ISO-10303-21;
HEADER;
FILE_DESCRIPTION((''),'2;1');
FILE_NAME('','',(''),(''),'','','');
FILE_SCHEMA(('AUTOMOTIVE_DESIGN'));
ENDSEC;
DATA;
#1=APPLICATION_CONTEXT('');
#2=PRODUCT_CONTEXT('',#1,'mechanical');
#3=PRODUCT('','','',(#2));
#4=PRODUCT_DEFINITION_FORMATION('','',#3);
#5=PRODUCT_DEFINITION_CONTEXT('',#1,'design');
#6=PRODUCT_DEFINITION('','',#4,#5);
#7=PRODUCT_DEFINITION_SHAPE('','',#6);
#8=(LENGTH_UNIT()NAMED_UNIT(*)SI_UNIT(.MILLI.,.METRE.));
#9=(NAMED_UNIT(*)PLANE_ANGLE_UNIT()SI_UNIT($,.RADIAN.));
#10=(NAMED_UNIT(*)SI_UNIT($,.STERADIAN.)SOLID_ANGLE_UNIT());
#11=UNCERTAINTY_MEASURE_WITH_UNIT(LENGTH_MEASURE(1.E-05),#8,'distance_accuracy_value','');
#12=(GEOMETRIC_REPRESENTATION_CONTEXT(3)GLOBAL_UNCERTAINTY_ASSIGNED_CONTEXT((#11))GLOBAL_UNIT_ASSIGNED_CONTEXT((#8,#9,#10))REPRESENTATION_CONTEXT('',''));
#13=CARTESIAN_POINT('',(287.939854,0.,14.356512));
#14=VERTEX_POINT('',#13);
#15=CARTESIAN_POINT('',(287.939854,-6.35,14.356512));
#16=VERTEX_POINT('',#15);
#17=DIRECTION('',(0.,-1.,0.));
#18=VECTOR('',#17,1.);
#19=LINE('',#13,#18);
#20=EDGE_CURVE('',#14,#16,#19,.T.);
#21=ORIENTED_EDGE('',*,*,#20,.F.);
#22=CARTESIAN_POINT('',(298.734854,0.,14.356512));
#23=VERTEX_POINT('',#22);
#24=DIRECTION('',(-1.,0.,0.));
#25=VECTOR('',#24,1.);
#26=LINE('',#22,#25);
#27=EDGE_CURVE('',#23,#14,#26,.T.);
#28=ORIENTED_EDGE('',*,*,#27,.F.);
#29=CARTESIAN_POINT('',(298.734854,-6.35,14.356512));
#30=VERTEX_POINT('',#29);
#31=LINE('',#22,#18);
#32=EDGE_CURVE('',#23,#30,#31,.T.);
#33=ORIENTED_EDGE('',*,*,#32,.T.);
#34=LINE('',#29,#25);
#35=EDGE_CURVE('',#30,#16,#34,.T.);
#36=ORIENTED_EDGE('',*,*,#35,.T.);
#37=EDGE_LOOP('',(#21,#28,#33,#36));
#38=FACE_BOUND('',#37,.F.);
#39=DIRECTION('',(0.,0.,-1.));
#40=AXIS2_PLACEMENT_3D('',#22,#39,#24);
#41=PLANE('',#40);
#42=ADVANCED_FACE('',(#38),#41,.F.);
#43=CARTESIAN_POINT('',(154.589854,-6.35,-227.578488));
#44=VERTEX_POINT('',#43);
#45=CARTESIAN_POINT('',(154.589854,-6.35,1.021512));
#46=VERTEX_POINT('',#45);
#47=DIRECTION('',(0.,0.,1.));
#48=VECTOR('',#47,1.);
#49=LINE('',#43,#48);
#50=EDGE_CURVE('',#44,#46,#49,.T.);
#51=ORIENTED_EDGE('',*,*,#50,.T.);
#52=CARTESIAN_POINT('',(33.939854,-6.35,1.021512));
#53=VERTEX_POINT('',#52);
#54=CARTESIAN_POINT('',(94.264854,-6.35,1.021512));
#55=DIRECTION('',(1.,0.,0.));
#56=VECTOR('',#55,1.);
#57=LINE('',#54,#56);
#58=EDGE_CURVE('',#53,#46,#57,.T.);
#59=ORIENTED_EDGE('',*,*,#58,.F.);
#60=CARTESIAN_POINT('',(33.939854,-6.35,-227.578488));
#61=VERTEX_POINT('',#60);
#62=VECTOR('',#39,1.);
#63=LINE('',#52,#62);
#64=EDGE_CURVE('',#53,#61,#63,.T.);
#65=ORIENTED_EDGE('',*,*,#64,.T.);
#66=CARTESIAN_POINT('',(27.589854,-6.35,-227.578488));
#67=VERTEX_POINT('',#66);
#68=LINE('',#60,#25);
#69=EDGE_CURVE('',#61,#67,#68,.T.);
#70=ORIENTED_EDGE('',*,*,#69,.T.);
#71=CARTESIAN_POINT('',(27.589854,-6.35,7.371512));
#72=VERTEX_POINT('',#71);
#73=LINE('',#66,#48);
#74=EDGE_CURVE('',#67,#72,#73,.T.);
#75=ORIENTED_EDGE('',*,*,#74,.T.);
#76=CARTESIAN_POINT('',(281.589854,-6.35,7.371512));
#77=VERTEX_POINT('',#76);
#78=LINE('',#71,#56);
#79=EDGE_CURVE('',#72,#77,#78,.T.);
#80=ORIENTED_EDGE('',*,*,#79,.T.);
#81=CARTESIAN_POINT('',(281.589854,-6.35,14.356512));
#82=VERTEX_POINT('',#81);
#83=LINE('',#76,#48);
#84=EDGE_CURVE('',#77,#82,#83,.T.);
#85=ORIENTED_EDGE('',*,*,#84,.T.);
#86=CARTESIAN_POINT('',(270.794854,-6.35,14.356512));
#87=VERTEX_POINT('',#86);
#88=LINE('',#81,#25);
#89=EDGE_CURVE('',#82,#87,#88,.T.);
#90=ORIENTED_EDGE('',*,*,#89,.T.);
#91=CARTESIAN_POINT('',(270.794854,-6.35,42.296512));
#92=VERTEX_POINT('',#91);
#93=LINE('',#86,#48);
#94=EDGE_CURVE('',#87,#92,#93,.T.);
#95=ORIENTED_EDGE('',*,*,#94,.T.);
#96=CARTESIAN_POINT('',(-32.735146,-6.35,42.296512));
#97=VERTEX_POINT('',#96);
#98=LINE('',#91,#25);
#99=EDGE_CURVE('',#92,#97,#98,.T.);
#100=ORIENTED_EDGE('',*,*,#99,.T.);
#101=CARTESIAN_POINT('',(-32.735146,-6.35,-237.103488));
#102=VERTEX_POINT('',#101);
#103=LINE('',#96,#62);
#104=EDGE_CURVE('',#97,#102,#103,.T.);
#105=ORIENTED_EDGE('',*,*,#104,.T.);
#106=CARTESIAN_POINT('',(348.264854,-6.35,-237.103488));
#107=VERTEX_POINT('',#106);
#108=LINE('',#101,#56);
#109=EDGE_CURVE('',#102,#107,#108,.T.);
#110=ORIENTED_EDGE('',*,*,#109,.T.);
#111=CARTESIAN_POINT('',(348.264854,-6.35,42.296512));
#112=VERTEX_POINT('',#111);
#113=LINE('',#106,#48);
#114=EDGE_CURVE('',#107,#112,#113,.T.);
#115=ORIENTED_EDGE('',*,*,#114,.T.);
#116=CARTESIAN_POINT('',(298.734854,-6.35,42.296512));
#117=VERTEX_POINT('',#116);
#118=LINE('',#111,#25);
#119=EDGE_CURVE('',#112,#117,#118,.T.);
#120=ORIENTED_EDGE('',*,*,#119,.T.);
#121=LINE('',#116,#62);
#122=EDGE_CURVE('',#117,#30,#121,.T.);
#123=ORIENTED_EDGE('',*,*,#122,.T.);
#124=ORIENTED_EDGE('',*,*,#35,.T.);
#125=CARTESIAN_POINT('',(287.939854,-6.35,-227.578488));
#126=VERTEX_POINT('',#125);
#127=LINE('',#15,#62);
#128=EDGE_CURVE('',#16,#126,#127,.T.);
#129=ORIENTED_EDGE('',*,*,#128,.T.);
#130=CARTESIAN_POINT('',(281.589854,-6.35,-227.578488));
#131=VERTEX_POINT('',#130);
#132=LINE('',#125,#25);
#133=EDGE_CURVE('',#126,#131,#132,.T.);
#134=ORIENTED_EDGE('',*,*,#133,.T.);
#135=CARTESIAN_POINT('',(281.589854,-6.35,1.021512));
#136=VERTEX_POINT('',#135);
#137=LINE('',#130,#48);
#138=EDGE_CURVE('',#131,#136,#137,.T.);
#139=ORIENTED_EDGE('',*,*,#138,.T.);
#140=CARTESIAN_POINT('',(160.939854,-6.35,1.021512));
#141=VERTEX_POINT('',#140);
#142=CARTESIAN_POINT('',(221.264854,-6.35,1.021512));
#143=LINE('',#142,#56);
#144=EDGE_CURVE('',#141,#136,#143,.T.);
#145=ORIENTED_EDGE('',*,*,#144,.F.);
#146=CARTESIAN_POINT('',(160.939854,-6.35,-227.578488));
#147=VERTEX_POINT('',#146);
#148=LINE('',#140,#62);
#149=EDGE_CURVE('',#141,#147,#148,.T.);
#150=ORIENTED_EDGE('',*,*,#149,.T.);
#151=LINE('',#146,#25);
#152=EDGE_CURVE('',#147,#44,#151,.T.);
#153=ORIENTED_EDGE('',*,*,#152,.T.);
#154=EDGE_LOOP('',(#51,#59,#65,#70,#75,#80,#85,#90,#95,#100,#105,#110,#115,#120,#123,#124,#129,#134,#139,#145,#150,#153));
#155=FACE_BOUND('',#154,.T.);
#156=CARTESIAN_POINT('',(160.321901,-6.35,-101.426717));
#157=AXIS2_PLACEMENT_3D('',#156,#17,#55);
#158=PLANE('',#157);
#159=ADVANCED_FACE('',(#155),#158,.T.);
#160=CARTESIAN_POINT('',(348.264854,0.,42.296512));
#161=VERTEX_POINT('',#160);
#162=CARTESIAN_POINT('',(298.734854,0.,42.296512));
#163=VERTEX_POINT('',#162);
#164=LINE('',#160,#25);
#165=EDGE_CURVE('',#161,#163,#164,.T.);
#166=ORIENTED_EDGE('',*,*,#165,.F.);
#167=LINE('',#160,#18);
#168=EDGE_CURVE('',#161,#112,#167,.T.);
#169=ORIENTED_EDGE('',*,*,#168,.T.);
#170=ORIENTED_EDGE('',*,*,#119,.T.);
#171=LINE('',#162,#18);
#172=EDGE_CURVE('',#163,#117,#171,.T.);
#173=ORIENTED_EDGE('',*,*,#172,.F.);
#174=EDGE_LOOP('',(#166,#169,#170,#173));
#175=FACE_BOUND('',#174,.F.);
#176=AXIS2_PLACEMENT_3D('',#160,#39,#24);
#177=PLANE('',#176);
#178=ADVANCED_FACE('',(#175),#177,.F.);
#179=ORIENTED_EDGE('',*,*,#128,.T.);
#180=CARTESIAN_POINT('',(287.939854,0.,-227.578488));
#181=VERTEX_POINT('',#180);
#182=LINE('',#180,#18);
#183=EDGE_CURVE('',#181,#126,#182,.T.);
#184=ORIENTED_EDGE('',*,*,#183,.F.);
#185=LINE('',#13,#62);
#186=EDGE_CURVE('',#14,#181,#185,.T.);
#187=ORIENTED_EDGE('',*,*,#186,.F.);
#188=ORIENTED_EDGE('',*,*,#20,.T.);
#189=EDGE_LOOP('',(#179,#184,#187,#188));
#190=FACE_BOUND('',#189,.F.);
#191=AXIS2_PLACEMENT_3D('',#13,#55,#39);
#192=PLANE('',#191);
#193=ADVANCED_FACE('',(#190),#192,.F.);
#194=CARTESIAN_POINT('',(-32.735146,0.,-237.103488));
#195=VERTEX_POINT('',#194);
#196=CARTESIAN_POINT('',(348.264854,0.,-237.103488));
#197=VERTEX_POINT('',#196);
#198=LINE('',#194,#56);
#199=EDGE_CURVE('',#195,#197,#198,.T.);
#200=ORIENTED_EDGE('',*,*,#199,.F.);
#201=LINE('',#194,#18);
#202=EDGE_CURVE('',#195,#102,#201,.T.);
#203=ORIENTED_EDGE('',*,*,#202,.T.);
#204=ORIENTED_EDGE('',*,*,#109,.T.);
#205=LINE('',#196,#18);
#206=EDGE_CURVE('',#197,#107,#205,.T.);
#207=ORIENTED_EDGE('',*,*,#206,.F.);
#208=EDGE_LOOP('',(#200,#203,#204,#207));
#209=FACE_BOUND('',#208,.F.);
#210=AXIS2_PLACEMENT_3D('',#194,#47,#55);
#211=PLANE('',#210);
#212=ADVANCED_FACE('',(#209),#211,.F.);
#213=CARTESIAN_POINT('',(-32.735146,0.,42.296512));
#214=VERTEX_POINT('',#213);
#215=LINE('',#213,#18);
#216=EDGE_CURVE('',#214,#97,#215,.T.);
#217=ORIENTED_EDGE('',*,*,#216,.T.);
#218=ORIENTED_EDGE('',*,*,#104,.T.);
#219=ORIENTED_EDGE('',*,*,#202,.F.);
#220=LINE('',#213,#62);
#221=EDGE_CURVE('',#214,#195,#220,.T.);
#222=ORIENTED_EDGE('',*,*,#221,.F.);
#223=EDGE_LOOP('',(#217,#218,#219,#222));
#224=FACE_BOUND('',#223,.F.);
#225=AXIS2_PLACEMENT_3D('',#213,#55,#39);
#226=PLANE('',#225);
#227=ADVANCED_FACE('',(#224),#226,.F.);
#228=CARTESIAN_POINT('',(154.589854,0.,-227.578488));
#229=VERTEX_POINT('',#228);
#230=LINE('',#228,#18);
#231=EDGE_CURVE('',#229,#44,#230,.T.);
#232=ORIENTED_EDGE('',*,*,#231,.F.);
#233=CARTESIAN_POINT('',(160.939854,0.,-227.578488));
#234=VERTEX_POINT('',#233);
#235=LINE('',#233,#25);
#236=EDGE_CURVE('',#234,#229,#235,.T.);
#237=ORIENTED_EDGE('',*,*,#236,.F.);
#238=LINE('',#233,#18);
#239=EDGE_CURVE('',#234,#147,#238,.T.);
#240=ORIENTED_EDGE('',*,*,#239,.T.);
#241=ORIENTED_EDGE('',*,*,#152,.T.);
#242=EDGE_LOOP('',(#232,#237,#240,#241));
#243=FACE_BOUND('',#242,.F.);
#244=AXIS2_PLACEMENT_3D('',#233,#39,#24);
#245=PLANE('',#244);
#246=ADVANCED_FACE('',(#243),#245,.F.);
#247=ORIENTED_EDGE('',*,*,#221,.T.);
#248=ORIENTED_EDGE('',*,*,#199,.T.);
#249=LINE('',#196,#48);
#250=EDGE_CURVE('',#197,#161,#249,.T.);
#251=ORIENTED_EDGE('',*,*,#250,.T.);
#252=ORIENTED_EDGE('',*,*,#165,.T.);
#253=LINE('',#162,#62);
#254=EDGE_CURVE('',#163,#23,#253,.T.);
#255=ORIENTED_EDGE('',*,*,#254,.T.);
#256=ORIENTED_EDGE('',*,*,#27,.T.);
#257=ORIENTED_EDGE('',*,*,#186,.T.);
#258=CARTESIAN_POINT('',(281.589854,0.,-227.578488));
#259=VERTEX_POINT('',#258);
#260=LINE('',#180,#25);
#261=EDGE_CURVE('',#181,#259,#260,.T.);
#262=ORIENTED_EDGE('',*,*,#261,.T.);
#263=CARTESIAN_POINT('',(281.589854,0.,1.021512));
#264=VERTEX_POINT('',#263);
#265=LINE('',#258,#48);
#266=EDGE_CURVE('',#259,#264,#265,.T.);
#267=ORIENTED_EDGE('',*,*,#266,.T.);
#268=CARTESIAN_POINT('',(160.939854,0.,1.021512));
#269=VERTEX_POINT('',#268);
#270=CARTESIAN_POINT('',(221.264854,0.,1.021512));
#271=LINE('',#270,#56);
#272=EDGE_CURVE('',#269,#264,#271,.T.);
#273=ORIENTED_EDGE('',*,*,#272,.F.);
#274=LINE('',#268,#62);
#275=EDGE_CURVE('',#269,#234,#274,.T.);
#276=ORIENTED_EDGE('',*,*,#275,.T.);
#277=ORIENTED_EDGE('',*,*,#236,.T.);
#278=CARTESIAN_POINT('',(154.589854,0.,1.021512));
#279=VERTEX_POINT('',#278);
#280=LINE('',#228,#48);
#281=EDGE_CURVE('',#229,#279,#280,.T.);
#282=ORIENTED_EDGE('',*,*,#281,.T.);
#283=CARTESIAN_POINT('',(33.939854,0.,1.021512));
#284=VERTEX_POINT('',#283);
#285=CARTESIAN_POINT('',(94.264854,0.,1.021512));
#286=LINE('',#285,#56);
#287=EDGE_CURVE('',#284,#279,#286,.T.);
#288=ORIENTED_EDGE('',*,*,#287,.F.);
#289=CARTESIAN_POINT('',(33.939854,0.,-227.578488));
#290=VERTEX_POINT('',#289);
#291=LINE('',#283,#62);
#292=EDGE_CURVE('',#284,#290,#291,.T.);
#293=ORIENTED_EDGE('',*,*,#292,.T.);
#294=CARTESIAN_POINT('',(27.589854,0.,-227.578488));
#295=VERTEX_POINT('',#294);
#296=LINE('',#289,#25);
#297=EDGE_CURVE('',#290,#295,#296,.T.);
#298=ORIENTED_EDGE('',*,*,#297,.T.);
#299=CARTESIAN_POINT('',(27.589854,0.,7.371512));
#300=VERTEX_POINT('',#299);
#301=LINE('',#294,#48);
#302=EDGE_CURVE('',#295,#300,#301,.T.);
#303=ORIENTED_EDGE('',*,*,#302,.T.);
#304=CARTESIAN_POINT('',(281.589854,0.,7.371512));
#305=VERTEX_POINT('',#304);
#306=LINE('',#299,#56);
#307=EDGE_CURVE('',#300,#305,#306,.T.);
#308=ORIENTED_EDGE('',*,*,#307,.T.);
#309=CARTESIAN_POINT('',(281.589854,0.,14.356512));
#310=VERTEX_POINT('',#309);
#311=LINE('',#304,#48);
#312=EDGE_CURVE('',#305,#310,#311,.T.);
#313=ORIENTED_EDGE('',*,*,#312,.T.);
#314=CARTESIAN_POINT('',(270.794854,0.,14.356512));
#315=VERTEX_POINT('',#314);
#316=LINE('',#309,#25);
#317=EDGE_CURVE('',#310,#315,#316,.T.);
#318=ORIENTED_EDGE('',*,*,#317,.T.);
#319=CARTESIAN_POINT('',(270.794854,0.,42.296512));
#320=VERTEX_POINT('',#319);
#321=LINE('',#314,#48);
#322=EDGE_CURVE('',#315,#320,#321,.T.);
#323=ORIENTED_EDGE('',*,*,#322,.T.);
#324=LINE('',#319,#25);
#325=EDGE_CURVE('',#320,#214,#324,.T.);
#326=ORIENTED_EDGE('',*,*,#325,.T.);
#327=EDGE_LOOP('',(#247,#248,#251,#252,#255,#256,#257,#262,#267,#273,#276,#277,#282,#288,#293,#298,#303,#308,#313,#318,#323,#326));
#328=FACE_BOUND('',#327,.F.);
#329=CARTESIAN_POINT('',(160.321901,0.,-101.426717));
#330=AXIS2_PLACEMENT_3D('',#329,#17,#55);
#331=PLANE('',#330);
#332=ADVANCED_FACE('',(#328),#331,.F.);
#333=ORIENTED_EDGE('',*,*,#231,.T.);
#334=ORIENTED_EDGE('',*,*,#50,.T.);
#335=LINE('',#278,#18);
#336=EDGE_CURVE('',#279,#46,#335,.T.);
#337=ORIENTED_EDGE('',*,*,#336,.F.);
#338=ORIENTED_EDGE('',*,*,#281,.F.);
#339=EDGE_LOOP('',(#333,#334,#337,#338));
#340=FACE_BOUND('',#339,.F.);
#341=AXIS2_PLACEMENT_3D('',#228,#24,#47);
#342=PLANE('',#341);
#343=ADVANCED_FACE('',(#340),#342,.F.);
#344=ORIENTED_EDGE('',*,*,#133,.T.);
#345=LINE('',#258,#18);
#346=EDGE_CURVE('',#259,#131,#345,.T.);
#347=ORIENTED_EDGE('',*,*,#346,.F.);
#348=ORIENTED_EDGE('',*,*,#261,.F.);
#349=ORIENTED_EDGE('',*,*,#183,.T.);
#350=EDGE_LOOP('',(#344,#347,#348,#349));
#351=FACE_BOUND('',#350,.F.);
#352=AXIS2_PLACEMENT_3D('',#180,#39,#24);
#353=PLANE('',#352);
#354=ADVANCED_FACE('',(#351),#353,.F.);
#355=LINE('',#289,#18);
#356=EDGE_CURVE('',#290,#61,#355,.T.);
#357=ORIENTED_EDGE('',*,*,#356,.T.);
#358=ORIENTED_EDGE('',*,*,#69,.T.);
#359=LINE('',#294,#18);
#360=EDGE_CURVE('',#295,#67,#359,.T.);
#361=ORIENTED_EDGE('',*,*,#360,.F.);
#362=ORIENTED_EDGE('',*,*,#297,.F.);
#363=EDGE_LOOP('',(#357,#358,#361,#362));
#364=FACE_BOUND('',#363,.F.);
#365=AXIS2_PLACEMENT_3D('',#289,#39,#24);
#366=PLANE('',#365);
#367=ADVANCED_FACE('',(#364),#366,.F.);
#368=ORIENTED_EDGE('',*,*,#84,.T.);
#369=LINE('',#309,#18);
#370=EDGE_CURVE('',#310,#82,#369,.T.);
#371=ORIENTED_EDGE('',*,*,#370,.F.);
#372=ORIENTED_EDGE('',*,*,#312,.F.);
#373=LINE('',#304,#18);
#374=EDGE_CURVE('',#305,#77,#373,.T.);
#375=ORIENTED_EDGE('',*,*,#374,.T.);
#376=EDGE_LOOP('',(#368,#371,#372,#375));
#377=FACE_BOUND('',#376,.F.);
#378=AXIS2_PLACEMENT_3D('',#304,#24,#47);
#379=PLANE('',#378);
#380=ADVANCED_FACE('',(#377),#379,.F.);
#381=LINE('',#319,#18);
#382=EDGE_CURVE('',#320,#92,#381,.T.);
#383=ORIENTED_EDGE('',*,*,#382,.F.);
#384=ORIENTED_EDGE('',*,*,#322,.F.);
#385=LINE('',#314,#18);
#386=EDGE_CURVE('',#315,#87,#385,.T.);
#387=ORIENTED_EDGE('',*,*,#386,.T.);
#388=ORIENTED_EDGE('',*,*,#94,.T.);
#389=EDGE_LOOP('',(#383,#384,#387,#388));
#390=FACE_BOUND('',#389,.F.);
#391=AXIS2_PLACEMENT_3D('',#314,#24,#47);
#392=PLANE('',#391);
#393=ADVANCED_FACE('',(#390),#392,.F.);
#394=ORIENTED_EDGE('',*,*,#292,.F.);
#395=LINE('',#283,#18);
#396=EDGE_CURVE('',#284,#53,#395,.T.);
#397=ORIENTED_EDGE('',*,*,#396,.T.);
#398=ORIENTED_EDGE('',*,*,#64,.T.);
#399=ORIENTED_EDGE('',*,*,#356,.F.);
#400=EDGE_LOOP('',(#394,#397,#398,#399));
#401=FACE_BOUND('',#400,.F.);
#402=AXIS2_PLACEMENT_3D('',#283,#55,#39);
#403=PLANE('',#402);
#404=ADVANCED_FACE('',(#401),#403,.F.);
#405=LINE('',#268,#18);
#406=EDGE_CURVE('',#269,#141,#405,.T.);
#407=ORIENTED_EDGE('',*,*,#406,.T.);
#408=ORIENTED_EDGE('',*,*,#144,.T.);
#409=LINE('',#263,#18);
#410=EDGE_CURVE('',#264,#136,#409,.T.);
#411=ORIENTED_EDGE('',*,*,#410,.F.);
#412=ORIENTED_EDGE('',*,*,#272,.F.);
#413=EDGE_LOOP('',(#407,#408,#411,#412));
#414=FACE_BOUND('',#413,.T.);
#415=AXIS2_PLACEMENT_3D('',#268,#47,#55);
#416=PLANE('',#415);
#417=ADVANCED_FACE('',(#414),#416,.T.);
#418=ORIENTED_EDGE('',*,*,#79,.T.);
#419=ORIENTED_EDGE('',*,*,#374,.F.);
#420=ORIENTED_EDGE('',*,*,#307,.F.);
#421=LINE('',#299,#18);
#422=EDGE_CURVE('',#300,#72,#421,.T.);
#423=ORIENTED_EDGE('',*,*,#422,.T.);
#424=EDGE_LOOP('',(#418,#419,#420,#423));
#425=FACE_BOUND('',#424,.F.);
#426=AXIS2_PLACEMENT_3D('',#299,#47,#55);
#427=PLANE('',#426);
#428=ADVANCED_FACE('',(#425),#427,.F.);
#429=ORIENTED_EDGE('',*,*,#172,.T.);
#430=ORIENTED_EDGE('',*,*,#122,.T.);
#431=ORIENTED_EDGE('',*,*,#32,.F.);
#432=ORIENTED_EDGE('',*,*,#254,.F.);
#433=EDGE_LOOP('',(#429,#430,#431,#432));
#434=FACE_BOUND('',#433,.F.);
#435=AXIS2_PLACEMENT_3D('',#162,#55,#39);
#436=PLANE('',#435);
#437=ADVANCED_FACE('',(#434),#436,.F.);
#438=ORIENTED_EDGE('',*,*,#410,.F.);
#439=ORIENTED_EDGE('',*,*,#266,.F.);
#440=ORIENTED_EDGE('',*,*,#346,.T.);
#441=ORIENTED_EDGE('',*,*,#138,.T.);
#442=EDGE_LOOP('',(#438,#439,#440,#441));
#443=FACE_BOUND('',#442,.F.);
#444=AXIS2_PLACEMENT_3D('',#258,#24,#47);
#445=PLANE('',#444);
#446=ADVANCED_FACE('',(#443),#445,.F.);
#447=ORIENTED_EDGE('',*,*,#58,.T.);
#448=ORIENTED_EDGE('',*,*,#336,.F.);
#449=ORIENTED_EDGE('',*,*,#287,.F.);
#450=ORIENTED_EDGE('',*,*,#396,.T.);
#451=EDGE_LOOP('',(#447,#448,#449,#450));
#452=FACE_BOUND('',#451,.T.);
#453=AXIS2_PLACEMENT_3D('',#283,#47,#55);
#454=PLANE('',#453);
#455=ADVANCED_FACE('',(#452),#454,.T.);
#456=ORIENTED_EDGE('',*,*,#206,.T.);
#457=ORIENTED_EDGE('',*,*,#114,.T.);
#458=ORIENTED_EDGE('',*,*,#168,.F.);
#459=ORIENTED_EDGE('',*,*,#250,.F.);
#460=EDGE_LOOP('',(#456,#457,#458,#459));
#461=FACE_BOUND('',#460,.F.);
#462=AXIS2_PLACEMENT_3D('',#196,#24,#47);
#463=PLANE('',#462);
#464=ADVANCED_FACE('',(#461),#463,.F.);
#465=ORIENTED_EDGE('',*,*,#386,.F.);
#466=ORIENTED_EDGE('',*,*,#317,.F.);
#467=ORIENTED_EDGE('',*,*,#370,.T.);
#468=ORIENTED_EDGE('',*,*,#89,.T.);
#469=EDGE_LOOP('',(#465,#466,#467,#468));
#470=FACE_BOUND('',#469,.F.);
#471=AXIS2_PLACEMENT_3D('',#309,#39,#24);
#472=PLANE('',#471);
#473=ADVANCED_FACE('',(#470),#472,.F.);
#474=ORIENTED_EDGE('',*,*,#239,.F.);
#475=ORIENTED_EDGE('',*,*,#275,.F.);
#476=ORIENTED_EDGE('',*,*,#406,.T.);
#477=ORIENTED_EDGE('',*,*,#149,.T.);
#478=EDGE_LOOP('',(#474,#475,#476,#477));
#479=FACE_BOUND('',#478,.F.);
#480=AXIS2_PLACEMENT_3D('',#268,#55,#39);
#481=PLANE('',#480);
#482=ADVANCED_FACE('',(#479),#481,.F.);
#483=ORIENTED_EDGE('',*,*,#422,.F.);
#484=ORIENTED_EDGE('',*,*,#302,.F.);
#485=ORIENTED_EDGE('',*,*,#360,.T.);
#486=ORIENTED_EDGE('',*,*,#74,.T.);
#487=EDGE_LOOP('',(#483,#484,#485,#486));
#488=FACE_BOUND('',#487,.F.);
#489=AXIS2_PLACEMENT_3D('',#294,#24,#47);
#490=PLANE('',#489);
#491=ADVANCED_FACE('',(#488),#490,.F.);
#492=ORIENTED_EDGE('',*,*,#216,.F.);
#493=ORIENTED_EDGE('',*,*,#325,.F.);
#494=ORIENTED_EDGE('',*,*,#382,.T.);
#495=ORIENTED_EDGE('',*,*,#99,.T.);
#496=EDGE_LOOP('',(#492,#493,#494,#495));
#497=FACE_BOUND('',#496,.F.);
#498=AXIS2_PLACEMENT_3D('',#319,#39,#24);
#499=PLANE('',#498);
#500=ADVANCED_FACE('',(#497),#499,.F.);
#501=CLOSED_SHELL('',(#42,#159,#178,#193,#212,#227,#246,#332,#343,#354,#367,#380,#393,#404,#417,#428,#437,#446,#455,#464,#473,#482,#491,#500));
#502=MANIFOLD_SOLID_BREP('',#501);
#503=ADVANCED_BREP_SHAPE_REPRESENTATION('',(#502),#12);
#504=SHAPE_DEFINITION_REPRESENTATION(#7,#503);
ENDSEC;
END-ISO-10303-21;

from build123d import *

# Parameters (mm, degrees)
F0_W     = 120.65
F0_H     = 111.125
F1_DEPTH = 6.35


with BuildPart() as f1:
    # F0 (on Front) → F1 (new body)
    with BuildSketch(Plane.XZ):
        Polygon((270.7948535681, 42.2965120316), (-32.7351464319, 42.2965120316), (-32.7351464319, -237.1034879684), (348.2648535681, -237.1034879684), (348.2648535681, 42.2965120316), (298.7348535681, 42.2965120316), (298.7348535681, 14.3565120316), (287.9398535681, 14.3565120316), (287.9398535681, 7.3715120316), (287.9398535681, 1.0215120316), (287.9398535681, -227.5784879684), (281.5898535681, -227.5784879684), (281.5898535681, -110.1034879684), (160.9398535681, -110.1034879684), (160.9398535681, -227.5784879684), (154.5898535681, -227.5784879684), (154.5898535681, -110.1034879684), (33.9398535681, -110.1034879684), (33.9398535681, -227.5784879684), (27.5898535681, -227.5784879684), (27.5898535681, 1.0215120316), (27.5898535681, 7.3715120316), (33.9398535681, 7.3715120316), (154.5898535681, 7.3715120316), (160.9398535681, 7.3715120316), (281.5898535681, 7.3715120316), (281.5898535681, 14.3565120316), (270.7948535681, 14.3565120316), align=None)
        with Locations((94.2648535681, -54.5409879684)):
            Rectangle(F0_W, F0_H)
        with Locations((221.2648535681, -54.5409879684)):
            Rectangle(F0_W, F0_H)
    extrude(amount=F1_DEPTH)


solid = f1.part
